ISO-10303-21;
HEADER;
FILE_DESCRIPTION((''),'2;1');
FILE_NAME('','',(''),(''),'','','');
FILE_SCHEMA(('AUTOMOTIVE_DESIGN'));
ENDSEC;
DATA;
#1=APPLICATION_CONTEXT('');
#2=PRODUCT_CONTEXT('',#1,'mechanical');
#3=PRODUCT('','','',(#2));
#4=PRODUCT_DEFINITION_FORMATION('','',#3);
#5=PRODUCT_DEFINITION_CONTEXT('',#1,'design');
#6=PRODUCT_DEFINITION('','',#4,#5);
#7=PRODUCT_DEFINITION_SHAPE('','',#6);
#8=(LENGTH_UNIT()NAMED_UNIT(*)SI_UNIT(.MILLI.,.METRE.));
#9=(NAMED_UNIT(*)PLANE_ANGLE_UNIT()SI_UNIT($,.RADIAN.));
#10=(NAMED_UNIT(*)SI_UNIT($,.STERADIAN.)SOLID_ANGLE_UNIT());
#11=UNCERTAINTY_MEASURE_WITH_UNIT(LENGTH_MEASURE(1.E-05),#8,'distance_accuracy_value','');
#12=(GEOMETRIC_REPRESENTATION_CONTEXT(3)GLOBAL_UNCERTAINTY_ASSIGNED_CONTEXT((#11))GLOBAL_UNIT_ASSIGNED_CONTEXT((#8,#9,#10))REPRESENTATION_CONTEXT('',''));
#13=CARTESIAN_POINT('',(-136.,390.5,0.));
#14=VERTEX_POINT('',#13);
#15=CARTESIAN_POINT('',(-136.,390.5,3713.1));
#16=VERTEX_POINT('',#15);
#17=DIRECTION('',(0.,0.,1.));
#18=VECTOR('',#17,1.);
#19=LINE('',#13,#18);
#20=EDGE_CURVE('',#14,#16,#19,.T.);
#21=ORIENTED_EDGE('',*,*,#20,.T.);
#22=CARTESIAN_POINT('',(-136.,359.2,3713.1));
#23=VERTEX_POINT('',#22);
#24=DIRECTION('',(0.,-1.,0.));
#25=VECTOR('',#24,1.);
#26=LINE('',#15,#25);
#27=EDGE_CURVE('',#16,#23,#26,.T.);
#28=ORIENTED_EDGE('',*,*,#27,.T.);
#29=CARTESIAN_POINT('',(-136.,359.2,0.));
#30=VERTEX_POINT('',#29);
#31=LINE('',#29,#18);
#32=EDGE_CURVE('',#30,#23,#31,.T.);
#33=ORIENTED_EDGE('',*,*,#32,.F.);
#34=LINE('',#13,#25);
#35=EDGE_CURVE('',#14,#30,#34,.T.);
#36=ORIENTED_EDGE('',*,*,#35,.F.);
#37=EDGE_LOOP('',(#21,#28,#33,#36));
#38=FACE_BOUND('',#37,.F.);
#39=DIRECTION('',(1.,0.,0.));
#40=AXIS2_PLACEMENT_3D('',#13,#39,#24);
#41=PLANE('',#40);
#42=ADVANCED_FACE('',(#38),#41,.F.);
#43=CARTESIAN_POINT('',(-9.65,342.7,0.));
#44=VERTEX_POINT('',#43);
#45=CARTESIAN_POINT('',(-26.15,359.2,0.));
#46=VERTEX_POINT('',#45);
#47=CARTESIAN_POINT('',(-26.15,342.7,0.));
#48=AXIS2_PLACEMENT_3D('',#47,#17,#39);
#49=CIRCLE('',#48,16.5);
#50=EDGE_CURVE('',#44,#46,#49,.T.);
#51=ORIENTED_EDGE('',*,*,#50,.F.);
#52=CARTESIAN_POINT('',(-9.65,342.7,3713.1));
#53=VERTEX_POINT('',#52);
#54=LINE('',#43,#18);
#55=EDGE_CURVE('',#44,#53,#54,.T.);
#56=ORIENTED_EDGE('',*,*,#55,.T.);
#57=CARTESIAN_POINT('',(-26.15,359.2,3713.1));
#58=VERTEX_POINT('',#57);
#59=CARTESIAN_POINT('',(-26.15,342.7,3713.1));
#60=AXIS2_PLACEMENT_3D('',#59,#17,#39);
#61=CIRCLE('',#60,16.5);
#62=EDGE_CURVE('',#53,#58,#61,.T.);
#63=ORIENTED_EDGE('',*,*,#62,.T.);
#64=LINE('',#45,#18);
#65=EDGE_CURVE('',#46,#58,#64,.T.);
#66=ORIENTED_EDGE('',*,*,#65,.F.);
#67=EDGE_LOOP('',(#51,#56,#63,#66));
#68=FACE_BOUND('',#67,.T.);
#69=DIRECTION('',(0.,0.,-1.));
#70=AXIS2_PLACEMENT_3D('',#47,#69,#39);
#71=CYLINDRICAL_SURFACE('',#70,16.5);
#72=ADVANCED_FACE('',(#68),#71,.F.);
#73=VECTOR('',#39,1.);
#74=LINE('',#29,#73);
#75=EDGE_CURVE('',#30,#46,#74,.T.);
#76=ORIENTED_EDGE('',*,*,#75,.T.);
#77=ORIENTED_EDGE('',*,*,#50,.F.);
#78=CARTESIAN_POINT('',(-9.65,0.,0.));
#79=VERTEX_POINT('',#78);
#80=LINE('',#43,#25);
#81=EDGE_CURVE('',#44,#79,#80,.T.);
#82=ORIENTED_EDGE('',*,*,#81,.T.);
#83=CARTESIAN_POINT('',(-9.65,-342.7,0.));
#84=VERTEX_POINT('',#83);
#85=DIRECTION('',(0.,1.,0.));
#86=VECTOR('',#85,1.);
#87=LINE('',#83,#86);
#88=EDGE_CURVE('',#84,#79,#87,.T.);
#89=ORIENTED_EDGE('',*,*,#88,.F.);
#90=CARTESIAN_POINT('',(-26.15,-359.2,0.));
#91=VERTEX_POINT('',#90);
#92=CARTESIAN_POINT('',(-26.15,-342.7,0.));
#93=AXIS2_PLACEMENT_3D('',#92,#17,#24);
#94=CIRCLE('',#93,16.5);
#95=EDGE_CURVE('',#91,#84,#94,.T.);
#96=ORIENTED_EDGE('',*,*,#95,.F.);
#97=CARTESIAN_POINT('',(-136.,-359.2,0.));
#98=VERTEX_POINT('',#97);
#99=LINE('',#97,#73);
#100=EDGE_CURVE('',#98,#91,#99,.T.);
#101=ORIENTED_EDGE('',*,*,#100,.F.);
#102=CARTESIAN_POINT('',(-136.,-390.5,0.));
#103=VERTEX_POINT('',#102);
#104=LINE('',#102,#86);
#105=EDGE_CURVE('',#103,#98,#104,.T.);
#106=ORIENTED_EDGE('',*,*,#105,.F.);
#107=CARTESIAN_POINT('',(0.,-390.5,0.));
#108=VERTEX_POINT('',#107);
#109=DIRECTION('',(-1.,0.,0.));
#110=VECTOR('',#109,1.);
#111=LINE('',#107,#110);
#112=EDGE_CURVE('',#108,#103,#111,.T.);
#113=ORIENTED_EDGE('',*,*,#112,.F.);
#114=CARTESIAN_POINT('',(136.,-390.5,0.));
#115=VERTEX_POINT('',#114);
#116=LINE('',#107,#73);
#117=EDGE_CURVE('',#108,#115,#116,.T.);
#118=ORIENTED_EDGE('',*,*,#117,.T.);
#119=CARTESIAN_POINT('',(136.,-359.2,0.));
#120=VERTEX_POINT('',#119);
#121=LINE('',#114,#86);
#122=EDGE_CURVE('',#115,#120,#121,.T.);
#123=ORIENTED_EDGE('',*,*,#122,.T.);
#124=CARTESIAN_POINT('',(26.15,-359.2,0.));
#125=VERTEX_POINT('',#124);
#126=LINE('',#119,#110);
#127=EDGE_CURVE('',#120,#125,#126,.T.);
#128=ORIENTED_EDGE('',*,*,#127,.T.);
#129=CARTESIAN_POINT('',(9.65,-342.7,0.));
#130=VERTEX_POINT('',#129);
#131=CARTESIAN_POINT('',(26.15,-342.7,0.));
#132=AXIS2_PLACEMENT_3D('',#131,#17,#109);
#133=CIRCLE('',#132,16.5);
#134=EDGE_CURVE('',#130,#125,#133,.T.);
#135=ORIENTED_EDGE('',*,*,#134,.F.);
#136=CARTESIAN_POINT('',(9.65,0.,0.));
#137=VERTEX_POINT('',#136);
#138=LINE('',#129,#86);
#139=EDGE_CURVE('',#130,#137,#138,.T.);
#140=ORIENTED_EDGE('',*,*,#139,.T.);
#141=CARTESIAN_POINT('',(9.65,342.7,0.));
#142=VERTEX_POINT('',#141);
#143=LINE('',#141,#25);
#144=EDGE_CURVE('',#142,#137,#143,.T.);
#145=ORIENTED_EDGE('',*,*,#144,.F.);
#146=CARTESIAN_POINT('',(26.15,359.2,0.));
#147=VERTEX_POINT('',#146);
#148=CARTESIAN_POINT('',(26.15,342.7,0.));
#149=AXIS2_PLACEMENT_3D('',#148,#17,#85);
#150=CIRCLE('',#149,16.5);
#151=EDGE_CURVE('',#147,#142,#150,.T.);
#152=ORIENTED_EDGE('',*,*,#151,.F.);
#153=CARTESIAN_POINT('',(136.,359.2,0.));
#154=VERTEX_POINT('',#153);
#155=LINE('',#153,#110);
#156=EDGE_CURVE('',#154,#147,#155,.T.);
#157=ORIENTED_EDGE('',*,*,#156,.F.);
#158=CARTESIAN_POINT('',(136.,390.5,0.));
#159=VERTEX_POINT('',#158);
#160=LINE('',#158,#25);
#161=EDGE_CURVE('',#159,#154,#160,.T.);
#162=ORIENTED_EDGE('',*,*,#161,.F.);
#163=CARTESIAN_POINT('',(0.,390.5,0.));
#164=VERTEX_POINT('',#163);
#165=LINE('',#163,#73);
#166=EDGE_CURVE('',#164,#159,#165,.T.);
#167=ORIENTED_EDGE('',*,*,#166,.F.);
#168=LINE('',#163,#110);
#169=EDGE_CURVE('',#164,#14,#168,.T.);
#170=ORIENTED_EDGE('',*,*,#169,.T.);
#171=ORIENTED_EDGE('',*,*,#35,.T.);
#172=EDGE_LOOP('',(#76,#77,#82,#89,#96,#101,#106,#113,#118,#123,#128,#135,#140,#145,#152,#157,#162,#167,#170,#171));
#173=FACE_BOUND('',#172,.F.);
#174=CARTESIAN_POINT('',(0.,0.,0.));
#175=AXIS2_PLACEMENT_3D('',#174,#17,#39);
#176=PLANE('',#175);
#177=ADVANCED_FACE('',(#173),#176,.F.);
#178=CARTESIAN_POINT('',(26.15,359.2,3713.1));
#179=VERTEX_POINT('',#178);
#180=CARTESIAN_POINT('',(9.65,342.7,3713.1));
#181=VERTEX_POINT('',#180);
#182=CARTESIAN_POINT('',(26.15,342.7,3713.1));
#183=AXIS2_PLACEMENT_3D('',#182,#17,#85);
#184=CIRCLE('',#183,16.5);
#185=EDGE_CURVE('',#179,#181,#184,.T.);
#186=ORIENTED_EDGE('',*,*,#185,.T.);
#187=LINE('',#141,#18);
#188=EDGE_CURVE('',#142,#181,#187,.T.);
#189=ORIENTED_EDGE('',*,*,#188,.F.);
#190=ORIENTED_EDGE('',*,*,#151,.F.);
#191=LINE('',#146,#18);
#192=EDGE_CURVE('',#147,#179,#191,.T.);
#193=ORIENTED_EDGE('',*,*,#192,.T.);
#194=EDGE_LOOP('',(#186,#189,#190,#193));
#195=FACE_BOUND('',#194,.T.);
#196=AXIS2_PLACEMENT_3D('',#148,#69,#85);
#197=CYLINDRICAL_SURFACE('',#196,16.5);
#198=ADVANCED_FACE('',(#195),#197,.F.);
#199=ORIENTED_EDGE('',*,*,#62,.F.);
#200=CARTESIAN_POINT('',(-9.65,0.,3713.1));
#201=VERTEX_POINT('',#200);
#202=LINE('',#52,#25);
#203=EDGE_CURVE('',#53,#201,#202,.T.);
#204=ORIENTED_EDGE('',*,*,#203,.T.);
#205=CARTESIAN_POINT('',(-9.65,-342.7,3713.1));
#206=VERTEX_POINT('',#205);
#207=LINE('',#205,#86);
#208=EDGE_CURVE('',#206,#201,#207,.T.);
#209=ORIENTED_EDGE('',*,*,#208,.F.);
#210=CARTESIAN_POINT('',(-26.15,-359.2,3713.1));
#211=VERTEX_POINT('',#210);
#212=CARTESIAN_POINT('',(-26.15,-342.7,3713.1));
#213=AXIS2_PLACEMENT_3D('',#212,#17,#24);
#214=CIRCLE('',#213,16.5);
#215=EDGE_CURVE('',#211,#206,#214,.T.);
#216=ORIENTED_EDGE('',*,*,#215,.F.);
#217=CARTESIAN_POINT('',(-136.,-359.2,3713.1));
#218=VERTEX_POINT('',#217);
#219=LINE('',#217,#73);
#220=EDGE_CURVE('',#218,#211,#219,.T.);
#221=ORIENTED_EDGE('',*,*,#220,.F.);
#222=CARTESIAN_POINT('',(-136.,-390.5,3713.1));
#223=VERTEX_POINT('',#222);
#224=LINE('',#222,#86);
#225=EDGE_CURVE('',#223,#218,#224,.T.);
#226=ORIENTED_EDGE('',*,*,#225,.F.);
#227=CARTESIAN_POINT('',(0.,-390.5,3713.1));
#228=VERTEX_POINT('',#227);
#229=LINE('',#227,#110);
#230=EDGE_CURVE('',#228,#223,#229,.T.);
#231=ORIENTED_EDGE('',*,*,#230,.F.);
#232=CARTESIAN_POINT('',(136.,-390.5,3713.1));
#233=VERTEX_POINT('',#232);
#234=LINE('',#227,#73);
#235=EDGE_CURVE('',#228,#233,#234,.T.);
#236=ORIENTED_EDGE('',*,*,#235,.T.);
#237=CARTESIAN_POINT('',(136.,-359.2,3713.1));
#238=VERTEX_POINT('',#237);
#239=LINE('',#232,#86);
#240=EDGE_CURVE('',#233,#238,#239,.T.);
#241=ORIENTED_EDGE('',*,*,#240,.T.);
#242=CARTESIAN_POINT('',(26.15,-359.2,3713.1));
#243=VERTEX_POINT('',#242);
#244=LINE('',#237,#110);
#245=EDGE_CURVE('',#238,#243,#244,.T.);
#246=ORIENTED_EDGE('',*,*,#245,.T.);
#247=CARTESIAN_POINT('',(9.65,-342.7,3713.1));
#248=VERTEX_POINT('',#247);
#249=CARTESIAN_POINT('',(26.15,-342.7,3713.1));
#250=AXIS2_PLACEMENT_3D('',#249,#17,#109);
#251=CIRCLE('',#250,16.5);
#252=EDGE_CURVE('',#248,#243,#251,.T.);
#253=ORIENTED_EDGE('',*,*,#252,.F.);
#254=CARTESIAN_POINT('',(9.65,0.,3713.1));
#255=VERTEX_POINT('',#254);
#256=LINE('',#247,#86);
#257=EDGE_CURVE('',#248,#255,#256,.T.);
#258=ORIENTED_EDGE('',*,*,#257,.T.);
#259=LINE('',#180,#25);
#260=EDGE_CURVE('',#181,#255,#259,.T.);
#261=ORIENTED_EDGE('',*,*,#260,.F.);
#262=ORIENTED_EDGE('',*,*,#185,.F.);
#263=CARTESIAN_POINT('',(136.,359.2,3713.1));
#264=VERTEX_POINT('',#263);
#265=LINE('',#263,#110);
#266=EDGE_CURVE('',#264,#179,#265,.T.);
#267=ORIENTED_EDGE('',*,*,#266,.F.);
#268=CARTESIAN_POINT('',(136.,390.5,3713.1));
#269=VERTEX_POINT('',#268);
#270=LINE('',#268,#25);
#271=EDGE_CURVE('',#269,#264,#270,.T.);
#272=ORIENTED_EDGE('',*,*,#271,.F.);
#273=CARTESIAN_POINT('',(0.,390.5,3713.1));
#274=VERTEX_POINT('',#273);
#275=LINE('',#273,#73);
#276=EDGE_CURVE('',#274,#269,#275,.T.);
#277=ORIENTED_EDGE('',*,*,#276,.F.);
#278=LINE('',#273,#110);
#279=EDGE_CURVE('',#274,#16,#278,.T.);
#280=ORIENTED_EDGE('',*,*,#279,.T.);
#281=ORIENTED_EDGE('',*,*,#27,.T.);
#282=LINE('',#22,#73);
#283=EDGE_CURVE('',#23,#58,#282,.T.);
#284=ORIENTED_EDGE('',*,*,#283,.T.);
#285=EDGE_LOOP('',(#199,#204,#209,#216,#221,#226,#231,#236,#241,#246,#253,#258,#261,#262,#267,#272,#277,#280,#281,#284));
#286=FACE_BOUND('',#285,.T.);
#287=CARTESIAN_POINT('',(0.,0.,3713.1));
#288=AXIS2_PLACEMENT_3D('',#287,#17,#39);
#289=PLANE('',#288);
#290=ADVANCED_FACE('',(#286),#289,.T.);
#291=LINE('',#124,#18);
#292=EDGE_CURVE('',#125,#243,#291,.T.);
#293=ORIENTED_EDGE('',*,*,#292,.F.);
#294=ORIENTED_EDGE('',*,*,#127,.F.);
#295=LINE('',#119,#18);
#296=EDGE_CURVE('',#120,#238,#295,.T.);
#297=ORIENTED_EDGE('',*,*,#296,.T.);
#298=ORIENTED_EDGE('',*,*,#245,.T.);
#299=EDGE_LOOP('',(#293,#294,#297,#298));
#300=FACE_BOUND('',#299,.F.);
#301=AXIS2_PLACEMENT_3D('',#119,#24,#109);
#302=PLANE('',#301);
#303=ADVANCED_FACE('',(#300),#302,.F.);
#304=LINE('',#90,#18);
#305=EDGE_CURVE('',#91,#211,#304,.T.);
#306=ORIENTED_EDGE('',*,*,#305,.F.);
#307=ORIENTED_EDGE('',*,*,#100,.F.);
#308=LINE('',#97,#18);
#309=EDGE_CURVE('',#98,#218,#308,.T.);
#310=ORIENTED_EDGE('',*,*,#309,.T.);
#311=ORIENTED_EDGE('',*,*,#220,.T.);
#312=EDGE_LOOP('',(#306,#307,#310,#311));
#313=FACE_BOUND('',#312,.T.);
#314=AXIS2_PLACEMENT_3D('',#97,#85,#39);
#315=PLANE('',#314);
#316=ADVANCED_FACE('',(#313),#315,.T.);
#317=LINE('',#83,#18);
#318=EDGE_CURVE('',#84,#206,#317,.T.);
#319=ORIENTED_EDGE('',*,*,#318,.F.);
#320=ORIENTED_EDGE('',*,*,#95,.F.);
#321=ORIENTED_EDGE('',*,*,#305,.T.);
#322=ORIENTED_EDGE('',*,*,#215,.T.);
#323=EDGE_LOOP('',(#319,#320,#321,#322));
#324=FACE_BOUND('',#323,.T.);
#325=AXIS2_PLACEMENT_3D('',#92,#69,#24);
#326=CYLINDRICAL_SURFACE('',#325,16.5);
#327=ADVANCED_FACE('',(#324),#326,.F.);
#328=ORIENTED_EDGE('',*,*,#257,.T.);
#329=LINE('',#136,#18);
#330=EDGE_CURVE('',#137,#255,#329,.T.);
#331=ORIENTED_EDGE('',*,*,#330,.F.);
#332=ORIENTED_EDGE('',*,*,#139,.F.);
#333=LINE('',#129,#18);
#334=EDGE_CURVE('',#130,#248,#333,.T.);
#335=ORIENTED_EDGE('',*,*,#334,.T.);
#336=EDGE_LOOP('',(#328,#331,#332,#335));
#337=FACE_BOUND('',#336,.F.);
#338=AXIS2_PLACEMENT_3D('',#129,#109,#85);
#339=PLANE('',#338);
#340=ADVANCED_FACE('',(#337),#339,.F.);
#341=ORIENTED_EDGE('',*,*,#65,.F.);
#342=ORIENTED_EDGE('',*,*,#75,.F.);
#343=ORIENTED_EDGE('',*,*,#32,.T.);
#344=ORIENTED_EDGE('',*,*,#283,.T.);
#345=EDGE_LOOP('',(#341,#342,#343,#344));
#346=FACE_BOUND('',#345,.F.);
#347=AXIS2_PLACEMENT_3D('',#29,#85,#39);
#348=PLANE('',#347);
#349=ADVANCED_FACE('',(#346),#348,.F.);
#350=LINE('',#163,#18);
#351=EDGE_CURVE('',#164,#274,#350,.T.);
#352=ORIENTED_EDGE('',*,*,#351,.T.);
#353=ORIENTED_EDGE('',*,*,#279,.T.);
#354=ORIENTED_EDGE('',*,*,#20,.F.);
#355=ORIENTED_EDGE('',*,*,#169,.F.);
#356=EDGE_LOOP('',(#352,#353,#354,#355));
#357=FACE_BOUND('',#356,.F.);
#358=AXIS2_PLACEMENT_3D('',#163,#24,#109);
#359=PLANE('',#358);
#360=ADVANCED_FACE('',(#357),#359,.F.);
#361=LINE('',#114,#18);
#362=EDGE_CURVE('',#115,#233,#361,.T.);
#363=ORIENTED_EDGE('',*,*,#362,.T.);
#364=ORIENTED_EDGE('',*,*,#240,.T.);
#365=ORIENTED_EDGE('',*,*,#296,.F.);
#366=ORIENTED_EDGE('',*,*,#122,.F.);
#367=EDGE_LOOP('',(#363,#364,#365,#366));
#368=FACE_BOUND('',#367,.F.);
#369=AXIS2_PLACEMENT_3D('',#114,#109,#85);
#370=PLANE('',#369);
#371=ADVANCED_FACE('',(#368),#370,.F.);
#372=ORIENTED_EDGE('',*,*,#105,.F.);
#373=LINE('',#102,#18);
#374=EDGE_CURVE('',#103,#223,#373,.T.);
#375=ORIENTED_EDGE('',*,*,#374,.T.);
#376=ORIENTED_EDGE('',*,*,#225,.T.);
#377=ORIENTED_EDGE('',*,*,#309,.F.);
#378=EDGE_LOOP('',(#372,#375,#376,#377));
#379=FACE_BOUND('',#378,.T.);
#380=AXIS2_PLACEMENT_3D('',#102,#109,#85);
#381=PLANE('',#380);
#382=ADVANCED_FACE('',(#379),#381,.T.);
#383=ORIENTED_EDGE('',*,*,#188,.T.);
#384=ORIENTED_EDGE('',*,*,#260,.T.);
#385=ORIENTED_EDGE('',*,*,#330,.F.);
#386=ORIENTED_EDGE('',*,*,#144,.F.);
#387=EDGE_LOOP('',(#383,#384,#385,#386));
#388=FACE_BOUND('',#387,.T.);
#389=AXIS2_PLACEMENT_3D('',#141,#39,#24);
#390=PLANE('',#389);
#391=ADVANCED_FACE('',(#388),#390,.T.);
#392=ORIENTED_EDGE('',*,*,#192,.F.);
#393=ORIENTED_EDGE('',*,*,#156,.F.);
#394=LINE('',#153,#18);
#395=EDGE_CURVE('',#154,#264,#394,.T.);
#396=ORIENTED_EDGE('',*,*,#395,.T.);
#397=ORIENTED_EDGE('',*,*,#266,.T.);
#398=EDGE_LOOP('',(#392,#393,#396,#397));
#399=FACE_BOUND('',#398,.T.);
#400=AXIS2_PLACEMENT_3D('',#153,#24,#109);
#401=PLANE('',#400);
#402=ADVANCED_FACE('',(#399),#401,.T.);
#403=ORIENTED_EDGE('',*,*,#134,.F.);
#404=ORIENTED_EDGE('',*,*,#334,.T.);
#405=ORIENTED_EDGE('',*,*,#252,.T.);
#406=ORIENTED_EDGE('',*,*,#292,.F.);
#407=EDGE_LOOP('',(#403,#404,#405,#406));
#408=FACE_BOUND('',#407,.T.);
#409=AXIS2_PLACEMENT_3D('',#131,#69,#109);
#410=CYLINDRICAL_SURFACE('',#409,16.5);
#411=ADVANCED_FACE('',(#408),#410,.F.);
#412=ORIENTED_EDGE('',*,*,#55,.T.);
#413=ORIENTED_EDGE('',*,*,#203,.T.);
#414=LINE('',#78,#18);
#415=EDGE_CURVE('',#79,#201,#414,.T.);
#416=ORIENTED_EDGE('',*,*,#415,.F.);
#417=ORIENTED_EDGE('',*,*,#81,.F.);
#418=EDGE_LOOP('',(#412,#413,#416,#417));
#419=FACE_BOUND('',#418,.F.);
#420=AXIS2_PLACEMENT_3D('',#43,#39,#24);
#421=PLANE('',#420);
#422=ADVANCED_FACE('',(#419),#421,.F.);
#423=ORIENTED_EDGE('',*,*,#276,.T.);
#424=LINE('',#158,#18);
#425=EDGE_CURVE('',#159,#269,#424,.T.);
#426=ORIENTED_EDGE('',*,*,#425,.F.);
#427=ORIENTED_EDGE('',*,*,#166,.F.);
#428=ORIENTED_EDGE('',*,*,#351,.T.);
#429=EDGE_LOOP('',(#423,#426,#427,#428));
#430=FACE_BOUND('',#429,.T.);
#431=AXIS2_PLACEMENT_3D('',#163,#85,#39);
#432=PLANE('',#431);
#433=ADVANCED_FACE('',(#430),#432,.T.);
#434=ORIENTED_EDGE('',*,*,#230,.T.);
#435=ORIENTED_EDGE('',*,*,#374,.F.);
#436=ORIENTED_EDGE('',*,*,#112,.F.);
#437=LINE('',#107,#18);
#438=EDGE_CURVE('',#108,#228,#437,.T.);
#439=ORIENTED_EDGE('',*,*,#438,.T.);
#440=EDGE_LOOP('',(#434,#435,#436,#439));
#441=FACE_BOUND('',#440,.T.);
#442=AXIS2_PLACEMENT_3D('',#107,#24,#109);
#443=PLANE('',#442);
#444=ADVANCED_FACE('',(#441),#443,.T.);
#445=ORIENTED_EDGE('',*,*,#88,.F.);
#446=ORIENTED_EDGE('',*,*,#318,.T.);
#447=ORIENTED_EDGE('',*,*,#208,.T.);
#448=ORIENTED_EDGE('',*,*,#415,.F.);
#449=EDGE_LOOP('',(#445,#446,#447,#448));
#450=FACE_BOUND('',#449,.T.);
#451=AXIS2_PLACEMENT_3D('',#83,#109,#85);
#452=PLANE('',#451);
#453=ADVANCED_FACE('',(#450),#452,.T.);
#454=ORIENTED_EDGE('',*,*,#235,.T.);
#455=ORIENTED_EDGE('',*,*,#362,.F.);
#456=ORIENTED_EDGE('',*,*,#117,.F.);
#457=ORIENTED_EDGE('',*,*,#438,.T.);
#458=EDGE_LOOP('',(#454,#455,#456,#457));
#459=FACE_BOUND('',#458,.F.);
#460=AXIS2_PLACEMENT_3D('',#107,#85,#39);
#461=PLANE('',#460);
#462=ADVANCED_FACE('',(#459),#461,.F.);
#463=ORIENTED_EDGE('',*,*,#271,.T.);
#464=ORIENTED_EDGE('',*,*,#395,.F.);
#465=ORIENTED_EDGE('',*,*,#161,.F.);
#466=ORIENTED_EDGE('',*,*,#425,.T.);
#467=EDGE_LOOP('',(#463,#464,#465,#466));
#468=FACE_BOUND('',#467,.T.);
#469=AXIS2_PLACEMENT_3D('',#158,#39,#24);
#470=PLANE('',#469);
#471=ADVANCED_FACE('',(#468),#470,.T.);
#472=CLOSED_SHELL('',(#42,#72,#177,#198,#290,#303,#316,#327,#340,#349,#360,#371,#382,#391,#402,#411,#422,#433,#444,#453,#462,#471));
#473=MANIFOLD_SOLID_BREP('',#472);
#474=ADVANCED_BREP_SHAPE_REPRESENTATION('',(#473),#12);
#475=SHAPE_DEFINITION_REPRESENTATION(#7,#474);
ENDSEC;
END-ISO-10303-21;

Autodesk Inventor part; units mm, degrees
ref_plane "YZ Plane" through (0, 0, 0) normal (1, 0, 0) x (0, 1, 0)
ref_plane "Start plane" through (0, 0, 0) normal (0, 0, 1) x (1, 0, 0)
ref_plane "End plane" through (0, 0, 3713.1) normal (0, 0, 1) x (1, 0, 0)
sketch "Sketch" plane through (0, 0, 0) normal (0, 0, 1) x (1, 0, 0)
  line L0 (-136, -390.5) -> (-136, -359.2)
  line L1 (-136, -359.2) -> (-26.15, -359.2)
  line L2 (-9.65, -342.7) -> (-9.65, 0)
  line L3 (-9.65, 0) -> (0, 0) construction
  line L4 (0, 0) -> (0, -390.5) construction
  line L5 (0, -390.5) -> (-136, -390.5)
  line L6 (-60, 0) -> (80, 0) construction
  line L7 (0, -60) -> (0, 80) construction
  line L8 (136, -390.5) -> (136, -359.2)
  line L9 (136, -359.2) -> (26.15, -359.2)
  line L10 (9.65, -342.7) -> (9.65, 0)
  line L11 (9.65, 0) -> (0, 0) construction
  line L12 (0, -390.5) -> (136, -390.5)
  line L13 (-136, 390.5) -> (-136, 359.2)
  line L14 (-136, 359.2) -> (-26.15, 359.2)
  line L15 (-9.65, 342.7) -> (-9.65, 0)
  line L16 (0, 390.5) -> (-136, 390.5)
  line L17 (136, 390.5) -> (136, 359.2)
  line L18 (136, 359.2) -> (26.15, 359.2)
  line L19 (0, 390.5) -> (136, 390.5)
  line L20 (9.65, 342.7) -> (9.65, 0)
  arc A0 (-9.65, 342.7) -> (-26.15, 359.2) centre (-26.15, 342.7) ccw
  arc A1 (26.15, 359.2) -> (9.65, 342.7) centre (26.15, 342.7) ccw
  arc A2 (9.65, -342.7) -> (26.15, -359.2) centre (26.15, -342.7) ccw
  arc A3 (-26.15, -359.2) -> (-9.65, -342.7) centre (-26.15, -342.7) ccw
  line L21 (0, 108) -> (0, -88) construction
  line L22 (-88, 0) -> (108, 0) construction
  point P0 (-9.65, -359.2)
  point P1 (9.65, -359.2)
  point P2 (-9.65, 359.2)
  point P3 (9.65, 359.2)
  dimension "d1" = 390.5
  dimension "d2" = 31.3
  dimension "d3" = 136
  dimension "d4" = 9.65
  dimension "d10" = 16.5
extrude "Body" add sketch "Sketch" along normal up to surface (3713.1 mm away) from surface at 0
sketch "Sketch4" plane through (0, 0, 0) normal (0, 0, 1) x (1, 0, 0)
  line L0 (0, 0) -> (10, 0)
ref_plane "Work Plane3" through (0, 0, 0) normal (0, -1, 0) x (1, 0, 0)
sketch "Sketch5" plane through (0, 0, 0) normal (0, -1, 0) x (1, 0, 0)
  line L0 (-2, 0) -> (12, 0) projected
  line L1 (-2, 3713.1) -> (12, 3713.1) projected
  dimension "d14" = 3713.1
equation "\"d1\" = 0.5 * G_H"
equation "\"d2\" = G_T1"
equation "\"d3\" = 0.5 * G_W"
equation "\"d4\" = 0.5 * G_T"
equation "\"d10\" = G_IR"
equation "\"d5\" = G_L"
equation "\"G_W\" = 272"
equation "\"G_H\" = 781"
equation "\"G_T\" = 19.3"
equation "\"G_T1\" = 31.3"
equation "\"G_IR\" = 16.5"
equation "\"G_L\" = d14"
equation "\"G_OFFSET_START\" = 0"
equation "\"G_OFFSET_END\" = 0"
equation "\"d12\" = G_OFFSET_END + B_L"
equation "\"B_L\" = 3713.1"
properties part number "AS 3679-1990 - 760 UB - 244 - 3713.1" material "Steel, Mild"
